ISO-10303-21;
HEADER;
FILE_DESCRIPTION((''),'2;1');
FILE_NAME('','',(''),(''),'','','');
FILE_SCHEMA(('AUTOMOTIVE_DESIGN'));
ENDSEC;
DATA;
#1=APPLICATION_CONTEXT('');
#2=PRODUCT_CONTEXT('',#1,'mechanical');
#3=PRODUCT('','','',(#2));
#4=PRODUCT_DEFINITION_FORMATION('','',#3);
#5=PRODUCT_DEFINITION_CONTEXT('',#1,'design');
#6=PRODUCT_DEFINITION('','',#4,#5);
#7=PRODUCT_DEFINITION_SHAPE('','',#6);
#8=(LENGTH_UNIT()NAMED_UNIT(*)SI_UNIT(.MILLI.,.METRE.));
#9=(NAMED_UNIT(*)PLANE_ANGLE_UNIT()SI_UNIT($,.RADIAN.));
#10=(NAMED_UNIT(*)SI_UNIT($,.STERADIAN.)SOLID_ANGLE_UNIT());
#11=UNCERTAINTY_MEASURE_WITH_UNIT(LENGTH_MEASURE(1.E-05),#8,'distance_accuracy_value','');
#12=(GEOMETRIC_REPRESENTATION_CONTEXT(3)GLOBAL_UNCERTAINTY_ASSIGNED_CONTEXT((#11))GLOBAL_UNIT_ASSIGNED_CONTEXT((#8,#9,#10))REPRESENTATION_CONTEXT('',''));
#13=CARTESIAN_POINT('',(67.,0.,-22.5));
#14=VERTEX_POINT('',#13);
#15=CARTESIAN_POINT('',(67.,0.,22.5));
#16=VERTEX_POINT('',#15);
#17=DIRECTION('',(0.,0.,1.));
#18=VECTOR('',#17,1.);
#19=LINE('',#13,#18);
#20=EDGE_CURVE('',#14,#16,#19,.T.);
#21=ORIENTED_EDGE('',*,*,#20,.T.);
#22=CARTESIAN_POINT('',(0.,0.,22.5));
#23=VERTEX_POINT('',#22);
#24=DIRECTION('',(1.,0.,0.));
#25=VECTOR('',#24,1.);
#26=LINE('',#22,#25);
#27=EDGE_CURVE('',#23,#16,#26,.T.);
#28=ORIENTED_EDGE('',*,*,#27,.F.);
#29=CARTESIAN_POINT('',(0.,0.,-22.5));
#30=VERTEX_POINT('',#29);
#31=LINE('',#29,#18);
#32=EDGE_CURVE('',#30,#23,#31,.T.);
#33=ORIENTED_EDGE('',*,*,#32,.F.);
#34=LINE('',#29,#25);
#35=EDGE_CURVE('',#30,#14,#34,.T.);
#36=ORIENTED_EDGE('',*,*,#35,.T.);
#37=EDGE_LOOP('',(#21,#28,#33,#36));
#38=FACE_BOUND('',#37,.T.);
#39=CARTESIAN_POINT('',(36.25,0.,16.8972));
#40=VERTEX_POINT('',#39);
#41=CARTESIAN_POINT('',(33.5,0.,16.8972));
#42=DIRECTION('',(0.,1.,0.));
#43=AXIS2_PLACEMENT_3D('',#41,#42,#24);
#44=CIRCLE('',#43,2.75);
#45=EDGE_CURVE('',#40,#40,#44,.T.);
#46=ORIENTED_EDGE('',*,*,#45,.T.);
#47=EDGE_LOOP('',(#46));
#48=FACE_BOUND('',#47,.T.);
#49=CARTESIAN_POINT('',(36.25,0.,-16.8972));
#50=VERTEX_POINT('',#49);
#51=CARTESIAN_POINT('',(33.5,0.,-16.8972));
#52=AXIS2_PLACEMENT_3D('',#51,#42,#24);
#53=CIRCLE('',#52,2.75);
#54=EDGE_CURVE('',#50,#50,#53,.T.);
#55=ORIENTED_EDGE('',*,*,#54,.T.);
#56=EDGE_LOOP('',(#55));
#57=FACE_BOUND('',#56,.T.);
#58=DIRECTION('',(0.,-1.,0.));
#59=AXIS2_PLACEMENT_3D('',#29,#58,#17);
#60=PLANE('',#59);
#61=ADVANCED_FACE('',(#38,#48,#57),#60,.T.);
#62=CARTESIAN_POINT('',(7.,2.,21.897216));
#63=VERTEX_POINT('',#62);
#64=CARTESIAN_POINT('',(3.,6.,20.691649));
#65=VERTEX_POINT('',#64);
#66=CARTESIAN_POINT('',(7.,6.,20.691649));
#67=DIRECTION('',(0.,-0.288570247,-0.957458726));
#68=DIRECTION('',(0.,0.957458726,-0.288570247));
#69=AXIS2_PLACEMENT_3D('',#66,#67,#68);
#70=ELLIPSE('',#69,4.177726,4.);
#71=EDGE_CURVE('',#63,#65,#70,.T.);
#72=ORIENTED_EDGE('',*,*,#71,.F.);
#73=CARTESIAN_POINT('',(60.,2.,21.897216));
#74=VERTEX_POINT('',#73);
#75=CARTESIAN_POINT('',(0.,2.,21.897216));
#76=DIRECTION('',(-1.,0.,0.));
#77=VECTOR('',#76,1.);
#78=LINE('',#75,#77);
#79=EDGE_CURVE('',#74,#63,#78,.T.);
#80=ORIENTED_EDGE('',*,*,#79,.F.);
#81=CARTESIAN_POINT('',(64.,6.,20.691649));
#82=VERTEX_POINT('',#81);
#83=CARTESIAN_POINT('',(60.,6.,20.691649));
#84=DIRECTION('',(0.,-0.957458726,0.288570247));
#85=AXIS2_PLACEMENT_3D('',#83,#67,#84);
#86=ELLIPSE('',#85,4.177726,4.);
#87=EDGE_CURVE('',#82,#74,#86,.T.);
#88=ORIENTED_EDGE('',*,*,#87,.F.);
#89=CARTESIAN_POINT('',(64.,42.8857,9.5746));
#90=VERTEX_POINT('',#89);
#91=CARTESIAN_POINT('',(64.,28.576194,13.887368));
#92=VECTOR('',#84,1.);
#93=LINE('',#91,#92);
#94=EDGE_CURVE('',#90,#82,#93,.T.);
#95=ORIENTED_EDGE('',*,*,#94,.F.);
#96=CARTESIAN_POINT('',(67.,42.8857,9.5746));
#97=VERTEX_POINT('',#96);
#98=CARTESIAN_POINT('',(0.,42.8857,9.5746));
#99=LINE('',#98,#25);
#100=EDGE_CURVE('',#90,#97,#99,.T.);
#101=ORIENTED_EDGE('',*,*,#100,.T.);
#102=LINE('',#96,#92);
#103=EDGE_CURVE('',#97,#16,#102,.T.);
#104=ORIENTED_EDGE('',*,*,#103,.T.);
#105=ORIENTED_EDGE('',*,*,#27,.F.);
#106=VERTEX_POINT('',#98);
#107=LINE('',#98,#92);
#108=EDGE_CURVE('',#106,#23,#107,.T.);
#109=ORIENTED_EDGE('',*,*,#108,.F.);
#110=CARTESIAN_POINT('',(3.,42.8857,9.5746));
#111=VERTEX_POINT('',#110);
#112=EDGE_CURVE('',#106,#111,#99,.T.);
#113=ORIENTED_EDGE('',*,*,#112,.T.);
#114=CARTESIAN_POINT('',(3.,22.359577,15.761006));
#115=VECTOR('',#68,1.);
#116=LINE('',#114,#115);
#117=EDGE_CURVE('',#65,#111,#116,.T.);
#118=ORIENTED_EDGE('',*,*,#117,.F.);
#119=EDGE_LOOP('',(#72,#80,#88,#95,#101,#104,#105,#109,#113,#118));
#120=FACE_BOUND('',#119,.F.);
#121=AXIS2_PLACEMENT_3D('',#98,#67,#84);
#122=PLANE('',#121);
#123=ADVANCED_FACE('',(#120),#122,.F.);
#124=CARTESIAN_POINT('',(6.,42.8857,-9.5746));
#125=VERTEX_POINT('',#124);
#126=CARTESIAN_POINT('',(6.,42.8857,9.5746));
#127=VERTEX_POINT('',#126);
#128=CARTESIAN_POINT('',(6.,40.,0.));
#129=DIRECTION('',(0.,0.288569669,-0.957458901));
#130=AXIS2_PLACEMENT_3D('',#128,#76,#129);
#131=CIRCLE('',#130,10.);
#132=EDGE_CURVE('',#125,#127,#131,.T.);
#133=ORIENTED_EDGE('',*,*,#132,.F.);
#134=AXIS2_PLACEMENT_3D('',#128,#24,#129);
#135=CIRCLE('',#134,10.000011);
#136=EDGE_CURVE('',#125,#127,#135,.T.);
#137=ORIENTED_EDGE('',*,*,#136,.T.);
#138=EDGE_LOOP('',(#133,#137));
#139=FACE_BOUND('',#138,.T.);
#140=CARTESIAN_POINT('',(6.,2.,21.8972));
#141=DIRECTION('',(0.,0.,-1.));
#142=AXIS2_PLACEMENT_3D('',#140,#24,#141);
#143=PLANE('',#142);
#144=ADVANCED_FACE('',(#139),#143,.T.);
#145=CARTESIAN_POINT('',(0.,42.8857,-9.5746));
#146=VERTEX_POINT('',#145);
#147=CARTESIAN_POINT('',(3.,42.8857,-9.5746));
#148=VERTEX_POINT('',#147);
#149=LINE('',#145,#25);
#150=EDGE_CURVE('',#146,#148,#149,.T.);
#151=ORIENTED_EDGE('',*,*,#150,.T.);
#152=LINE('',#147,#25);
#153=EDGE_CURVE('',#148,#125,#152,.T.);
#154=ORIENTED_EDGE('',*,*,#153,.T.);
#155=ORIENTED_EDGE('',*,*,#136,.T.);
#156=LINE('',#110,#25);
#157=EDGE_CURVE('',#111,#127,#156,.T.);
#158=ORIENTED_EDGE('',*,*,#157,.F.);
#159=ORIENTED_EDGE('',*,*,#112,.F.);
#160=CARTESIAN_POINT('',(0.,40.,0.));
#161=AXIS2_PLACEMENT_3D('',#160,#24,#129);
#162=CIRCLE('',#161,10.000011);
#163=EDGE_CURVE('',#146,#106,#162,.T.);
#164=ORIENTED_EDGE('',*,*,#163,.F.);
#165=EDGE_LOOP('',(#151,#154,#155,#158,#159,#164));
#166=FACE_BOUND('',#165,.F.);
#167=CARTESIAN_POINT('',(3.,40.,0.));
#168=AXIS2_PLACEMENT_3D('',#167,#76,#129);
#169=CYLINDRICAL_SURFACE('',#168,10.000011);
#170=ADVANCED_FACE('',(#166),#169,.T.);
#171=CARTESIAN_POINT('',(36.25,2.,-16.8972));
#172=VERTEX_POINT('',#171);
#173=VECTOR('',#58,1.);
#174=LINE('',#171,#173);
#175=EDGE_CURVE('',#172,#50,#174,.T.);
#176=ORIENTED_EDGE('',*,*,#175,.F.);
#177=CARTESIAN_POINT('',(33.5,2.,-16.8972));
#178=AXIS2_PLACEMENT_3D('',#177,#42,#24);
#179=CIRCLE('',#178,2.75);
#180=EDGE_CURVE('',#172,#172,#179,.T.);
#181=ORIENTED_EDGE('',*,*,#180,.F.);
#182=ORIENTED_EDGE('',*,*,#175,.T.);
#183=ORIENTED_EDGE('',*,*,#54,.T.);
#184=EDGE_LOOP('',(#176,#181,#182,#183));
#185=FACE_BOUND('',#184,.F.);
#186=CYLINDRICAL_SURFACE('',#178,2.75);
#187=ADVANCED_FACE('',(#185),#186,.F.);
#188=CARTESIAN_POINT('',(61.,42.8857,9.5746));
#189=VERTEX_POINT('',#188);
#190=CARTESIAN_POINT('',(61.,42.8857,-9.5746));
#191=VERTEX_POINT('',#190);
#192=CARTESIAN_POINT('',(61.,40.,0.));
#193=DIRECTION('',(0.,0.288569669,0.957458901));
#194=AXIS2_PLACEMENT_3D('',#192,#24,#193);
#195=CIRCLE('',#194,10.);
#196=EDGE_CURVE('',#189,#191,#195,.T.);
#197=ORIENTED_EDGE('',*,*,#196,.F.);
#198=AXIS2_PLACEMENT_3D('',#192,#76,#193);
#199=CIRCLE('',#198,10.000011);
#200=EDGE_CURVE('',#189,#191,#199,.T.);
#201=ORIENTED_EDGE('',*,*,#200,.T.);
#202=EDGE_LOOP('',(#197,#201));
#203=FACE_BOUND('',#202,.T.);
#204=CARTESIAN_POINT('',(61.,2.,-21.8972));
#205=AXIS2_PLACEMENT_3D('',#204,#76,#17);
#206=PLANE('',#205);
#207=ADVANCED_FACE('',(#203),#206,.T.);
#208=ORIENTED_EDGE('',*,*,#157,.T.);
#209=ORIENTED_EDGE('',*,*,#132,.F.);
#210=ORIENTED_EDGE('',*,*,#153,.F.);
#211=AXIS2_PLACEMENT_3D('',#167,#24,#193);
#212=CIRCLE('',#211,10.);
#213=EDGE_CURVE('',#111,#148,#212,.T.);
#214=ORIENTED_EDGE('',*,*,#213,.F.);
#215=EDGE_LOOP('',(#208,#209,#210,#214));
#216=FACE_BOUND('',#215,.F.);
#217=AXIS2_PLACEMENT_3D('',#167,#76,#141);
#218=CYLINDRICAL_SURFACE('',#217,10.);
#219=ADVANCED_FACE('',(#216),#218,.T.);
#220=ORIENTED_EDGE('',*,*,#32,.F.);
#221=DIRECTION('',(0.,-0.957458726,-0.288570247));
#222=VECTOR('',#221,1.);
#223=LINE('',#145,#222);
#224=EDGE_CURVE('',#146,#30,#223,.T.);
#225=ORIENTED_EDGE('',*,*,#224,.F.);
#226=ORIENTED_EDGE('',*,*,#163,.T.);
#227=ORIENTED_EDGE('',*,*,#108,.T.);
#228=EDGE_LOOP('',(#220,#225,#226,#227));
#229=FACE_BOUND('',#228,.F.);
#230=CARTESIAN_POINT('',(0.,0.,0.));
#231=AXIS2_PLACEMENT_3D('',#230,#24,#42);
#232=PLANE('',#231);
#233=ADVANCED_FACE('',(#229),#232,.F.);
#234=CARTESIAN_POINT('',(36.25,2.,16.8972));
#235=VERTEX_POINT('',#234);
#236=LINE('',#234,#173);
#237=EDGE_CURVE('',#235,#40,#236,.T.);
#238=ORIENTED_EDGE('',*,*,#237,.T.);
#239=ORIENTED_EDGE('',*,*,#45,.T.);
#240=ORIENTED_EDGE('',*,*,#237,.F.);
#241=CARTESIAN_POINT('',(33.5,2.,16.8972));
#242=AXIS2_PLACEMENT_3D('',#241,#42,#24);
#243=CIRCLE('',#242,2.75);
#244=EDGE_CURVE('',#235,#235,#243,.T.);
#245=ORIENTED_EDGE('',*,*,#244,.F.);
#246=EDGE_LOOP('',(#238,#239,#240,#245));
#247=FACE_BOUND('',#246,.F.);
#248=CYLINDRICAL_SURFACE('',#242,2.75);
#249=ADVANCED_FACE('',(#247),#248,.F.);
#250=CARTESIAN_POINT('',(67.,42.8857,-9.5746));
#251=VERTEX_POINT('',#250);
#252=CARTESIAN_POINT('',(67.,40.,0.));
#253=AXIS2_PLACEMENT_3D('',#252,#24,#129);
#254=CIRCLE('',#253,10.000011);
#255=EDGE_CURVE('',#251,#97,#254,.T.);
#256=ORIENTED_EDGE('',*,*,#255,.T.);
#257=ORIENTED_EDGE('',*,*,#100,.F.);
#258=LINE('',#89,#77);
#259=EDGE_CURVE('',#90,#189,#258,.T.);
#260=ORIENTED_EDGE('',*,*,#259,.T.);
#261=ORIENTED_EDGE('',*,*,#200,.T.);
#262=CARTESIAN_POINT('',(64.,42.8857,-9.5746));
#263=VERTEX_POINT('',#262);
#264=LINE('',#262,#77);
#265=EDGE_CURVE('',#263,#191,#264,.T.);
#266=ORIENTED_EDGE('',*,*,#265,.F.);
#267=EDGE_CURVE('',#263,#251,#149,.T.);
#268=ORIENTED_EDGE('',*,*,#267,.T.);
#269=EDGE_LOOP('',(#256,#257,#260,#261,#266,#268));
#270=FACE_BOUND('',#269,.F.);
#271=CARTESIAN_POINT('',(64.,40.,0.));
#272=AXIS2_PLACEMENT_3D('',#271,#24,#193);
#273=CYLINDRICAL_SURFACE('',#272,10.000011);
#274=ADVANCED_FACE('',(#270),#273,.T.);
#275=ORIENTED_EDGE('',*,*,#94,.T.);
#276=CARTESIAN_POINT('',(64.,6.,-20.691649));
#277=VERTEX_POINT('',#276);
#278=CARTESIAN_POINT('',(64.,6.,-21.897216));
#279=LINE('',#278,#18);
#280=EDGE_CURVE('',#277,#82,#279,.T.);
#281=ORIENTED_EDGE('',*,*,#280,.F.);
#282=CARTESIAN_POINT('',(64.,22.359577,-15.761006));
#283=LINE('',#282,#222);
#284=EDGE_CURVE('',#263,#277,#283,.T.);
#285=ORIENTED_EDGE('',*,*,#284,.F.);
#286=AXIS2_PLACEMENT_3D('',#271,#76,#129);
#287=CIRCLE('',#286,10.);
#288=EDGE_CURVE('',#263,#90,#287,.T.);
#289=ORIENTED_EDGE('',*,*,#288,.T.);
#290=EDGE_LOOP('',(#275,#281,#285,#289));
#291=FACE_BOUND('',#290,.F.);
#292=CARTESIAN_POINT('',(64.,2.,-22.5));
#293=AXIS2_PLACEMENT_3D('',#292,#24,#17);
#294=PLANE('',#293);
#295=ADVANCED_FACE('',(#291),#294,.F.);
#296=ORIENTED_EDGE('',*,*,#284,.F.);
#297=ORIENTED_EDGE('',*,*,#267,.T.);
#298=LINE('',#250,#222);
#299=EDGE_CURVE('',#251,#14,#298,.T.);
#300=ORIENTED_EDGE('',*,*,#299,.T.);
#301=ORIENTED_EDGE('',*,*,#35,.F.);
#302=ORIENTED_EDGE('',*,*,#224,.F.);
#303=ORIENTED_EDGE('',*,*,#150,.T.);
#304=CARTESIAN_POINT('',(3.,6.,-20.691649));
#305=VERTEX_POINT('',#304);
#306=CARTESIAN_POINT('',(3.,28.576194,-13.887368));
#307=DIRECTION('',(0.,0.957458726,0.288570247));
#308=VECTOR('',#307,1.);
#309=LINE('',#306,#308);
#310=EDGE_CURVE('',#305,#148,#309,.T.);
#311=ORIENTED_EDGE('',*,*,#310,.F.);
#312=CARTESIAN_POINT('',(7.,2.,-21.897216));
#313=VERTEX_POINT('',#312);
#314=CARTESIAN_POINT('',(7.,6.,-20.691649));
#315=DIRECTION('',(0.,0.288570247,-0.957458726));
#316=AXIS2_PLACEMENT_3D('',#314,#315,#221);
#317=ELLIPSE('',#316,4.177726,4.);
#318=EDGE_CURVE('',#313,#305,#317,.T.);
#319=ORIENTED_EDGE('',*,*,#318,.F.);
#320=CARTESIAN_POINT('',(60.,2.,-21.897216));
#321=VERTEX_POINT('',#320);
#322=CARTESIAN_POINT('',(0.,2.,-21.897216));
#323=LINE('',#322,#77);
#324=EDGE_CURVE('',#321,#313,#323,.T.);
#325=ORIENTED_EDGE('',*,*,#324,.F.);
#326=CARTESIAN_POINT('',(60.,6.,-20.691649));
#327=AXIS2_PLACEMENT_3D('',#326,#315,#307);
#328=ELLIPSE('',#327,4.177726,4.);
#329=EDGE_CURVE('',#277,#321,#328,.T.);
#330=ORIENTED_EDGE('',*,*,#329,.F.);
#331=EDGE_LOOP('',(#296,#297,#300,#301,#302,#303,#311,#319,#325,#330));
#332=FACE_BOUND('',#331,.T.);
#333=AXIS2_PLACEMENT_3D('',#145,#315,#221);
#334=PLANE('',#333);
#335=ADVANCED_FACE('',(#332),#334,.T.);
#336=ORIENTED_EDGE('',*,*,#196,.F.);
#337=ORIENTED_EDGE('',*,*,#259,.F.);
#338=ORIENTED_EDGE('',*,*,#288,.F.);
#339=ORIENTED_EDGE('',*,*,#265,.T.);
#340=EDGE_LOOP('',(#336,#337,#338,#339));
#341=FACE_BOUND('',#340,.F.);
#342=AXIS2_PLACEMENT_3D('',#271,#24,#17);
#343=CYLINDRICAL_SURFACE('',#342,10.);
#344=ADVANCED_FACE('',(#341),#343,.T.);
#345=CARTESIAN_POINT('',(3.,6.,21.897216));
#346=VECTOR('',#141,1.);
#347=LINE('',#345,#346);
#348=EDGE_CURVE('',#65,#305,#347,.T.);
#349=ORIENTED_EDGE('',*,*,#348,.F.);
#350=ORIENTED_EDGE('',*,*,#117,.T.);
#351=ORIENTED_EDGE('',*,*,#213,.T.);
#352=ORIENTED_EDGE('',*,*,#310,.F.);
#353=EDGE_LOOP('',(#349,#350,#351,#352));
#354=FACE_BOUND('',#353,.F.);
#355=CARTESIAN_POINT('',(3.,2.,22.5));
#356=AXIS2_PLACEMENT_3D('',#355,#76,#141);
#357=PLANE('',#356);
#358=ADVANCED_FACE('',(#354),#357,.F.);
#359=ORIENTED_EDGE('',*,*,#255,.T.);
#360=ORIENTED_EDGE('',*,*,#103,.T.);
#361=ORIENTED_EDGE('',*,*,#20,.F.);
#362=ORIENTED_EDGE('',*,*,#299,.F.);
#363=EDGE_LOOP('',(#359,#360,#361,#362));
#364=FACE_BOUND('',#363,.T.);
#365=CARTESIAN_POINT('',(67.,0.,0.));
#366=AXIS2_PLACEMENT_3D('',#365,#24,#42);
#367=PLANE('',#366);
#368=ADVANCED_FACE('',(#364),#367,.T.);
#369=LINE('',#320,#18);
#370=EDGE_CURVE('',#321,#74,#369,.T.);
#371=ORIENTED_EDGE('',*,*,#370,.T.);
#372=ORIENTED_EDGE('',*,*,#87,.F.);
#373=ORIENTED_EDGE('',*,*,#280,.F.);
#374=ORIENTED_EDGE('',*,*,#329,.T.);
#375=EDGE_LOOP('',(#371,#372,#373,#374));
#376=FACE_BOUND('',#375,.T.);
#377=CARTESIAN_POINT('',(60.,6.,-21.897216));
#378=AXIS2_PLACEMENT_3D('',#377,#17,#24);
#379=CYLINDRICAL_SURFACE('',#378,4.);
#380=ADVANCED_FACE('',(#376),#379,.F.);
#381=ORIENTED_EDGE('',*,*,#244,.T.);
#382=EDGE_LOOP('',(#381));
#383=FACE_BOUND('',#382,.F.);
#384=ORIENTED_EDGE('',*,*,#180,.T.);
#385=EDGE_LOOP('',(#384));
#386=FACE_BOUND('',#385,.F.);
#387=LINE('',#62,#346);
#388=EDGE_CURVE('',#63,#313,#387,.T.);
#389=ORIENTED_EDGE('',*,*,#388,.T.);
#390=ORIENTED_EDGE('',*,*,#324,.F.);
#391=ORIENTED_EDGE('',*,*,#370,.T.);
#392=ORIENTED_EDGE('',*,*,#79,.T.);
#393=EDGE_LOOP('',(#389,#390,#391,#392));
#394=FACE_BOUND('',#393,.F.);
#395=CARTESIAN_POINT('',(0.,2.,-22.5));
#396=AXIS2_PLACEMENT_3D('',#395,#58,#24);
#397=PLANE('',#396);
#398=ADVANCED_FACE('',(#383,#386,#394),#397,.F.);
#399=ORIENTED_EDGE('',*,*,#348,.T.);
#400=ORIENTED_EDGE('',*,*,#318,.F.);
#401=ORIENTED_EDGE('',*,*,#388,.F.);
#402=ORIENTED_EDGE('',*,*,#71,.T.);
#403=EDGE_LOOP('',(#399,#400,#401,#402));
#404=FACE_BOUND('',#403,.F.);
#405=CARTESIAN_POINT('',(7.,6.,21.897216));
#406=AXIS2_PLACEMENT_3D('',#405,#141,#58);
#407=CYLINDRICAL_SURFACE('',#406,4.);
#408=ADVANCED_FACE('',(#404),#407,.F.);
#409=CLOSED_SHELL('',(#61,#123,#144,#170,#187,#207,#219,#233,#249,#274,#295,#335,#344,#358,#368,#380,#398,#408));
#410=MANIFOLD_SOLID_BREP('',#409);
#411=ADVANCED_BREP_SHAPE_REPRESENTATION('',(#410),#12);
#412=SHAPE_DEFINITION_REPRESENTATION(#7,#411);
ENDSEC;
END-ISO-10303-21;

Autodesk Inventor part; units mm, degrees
ref_plane "YZ Plane" through (0, 0, 0) normal (1, 0, 0) x (0, 1, 0)
ref_plane "XZ Plane" through (0, 0, 0) normal (0, 1, 0) x (-1, 0, 0)
sketch "Sketch1" plane through (0, 0, 0) normal (1, 0, 0) x (0, 1, 0)
  circle A0 centre (40, 0) radius 32 construction
  arc A1 (42.8857, -9.5746) -> (42.8857, 9.5746) centre (40, 0) ccw
  line L0 (42.8857, -9.5746) -> (0, -22.5)
  line L1 (0, -22.5) -> (0, 0)
  line L2 (0, 0) -> (28, 0) construction
  line L3 (42.8857, 9.5746) -> (0, 22.5)
  line L4 (0, 22.5) -> (0, 0)
  line L5 (40, 0) -> (28, 0) construction
  dimension "d0" = 20
  dimension "d1" = 64
  dimension "d2" = 40
  dimension "d3" = 45
extrude "Extrusion1" add sketch "Sketch1" along normal blind 67
ref_plane "Work Plane1" through (0, 2, -22.5) normal (0, -1, 0) x (1, 0, 0)
sketch "Sketch2" plane through (0, 2, -22.5) normal (0, -1, 0) x (1, 0, 0)
  line L0 (0, 45) -> (0, 0) construction
  line L1 (0, 0) -> (67, 0) construction
  line L2 (67, 45) -> (67, 0) construction
  line L3 (0, 45) -> (67, 45) construction
  line L4 (0, 45) -> (67, 45) construction
  line L5 (0, 0) -> (67, 0) construction
  line L6 (64, 45) -> (3, 45)
  line L7 (3, 45) -> (3, 0)
  line L8 (3, 0) -> (64, 0)
  line L9 (64, 0) -> (64, 45)
  line L10 (67, 45) -> (67, 0) projected
  line L11 (67, 22.5) -> (64, 22.5) construction
  line L12 (0, 22.5) -> (3, 22.5) construction
  dimension "d7" = 61
extrude "Extrusion2" cut sketch "Sketch2" against normal through all
sketch "Sketch3" plane through (3, 2, 21.8972) normal (1, 0, 0) x (0, 0, -1)
  arc A0 (31.4718, 40.8857) -> (12.3226, 40.8857) centre (21.8972, 38) ccw projected
  circle A1 centre (21.8972, 38) radius 10
  point P0 (21.8972, -2)
extrude "Extrusion3" add sketch "Sketch3" along normal blind 3
sketch "Sketch4" plane through (64, 2, -21.8972) normal (-1, 0, 0) x (0, 0, 1)
  arc A0 (31.4718, 40.8857) -> (12.3226, 40.8857) centre (21.8972, 38) ccw projected
  circle A1 centre (21.8972, 38) radius 10
  point P0 (21.8972, -2)
  point P1 (12.3226, 40.8857)
extrude "Extrusion4" add sketch "Sketch4" along normal blind 3
fillet "Fillet1" radius 4 2 edges at (64, 2, 0) (3, 2, 0)
sketch "Sketch5" plane through (0, 2, -22.5) normal (0, 1, 0) x (1, 0, 0)
  line L0 (60, -44.3972) -> (7, -44.3972) projected
  line L1 (33.5, -44.3972) -> (33.5, -0.6028) construction
  line L2 (7, -0.6028) -> (60, -0.6028) projected
  circle A0 centre (33.5, -39.3972) radius 2.75
  circle A1 centre (33.5, -5.6028) radius 2.75
  point P0 (0, -22.5)
  dimension "d18" = 5
  dimension "d19" = 5.5
  dimension "d20" = 5
extrude "Extrusion5" cut sketch "Sketch5" against normal blind 3
properties part number "SpoolHolder"
